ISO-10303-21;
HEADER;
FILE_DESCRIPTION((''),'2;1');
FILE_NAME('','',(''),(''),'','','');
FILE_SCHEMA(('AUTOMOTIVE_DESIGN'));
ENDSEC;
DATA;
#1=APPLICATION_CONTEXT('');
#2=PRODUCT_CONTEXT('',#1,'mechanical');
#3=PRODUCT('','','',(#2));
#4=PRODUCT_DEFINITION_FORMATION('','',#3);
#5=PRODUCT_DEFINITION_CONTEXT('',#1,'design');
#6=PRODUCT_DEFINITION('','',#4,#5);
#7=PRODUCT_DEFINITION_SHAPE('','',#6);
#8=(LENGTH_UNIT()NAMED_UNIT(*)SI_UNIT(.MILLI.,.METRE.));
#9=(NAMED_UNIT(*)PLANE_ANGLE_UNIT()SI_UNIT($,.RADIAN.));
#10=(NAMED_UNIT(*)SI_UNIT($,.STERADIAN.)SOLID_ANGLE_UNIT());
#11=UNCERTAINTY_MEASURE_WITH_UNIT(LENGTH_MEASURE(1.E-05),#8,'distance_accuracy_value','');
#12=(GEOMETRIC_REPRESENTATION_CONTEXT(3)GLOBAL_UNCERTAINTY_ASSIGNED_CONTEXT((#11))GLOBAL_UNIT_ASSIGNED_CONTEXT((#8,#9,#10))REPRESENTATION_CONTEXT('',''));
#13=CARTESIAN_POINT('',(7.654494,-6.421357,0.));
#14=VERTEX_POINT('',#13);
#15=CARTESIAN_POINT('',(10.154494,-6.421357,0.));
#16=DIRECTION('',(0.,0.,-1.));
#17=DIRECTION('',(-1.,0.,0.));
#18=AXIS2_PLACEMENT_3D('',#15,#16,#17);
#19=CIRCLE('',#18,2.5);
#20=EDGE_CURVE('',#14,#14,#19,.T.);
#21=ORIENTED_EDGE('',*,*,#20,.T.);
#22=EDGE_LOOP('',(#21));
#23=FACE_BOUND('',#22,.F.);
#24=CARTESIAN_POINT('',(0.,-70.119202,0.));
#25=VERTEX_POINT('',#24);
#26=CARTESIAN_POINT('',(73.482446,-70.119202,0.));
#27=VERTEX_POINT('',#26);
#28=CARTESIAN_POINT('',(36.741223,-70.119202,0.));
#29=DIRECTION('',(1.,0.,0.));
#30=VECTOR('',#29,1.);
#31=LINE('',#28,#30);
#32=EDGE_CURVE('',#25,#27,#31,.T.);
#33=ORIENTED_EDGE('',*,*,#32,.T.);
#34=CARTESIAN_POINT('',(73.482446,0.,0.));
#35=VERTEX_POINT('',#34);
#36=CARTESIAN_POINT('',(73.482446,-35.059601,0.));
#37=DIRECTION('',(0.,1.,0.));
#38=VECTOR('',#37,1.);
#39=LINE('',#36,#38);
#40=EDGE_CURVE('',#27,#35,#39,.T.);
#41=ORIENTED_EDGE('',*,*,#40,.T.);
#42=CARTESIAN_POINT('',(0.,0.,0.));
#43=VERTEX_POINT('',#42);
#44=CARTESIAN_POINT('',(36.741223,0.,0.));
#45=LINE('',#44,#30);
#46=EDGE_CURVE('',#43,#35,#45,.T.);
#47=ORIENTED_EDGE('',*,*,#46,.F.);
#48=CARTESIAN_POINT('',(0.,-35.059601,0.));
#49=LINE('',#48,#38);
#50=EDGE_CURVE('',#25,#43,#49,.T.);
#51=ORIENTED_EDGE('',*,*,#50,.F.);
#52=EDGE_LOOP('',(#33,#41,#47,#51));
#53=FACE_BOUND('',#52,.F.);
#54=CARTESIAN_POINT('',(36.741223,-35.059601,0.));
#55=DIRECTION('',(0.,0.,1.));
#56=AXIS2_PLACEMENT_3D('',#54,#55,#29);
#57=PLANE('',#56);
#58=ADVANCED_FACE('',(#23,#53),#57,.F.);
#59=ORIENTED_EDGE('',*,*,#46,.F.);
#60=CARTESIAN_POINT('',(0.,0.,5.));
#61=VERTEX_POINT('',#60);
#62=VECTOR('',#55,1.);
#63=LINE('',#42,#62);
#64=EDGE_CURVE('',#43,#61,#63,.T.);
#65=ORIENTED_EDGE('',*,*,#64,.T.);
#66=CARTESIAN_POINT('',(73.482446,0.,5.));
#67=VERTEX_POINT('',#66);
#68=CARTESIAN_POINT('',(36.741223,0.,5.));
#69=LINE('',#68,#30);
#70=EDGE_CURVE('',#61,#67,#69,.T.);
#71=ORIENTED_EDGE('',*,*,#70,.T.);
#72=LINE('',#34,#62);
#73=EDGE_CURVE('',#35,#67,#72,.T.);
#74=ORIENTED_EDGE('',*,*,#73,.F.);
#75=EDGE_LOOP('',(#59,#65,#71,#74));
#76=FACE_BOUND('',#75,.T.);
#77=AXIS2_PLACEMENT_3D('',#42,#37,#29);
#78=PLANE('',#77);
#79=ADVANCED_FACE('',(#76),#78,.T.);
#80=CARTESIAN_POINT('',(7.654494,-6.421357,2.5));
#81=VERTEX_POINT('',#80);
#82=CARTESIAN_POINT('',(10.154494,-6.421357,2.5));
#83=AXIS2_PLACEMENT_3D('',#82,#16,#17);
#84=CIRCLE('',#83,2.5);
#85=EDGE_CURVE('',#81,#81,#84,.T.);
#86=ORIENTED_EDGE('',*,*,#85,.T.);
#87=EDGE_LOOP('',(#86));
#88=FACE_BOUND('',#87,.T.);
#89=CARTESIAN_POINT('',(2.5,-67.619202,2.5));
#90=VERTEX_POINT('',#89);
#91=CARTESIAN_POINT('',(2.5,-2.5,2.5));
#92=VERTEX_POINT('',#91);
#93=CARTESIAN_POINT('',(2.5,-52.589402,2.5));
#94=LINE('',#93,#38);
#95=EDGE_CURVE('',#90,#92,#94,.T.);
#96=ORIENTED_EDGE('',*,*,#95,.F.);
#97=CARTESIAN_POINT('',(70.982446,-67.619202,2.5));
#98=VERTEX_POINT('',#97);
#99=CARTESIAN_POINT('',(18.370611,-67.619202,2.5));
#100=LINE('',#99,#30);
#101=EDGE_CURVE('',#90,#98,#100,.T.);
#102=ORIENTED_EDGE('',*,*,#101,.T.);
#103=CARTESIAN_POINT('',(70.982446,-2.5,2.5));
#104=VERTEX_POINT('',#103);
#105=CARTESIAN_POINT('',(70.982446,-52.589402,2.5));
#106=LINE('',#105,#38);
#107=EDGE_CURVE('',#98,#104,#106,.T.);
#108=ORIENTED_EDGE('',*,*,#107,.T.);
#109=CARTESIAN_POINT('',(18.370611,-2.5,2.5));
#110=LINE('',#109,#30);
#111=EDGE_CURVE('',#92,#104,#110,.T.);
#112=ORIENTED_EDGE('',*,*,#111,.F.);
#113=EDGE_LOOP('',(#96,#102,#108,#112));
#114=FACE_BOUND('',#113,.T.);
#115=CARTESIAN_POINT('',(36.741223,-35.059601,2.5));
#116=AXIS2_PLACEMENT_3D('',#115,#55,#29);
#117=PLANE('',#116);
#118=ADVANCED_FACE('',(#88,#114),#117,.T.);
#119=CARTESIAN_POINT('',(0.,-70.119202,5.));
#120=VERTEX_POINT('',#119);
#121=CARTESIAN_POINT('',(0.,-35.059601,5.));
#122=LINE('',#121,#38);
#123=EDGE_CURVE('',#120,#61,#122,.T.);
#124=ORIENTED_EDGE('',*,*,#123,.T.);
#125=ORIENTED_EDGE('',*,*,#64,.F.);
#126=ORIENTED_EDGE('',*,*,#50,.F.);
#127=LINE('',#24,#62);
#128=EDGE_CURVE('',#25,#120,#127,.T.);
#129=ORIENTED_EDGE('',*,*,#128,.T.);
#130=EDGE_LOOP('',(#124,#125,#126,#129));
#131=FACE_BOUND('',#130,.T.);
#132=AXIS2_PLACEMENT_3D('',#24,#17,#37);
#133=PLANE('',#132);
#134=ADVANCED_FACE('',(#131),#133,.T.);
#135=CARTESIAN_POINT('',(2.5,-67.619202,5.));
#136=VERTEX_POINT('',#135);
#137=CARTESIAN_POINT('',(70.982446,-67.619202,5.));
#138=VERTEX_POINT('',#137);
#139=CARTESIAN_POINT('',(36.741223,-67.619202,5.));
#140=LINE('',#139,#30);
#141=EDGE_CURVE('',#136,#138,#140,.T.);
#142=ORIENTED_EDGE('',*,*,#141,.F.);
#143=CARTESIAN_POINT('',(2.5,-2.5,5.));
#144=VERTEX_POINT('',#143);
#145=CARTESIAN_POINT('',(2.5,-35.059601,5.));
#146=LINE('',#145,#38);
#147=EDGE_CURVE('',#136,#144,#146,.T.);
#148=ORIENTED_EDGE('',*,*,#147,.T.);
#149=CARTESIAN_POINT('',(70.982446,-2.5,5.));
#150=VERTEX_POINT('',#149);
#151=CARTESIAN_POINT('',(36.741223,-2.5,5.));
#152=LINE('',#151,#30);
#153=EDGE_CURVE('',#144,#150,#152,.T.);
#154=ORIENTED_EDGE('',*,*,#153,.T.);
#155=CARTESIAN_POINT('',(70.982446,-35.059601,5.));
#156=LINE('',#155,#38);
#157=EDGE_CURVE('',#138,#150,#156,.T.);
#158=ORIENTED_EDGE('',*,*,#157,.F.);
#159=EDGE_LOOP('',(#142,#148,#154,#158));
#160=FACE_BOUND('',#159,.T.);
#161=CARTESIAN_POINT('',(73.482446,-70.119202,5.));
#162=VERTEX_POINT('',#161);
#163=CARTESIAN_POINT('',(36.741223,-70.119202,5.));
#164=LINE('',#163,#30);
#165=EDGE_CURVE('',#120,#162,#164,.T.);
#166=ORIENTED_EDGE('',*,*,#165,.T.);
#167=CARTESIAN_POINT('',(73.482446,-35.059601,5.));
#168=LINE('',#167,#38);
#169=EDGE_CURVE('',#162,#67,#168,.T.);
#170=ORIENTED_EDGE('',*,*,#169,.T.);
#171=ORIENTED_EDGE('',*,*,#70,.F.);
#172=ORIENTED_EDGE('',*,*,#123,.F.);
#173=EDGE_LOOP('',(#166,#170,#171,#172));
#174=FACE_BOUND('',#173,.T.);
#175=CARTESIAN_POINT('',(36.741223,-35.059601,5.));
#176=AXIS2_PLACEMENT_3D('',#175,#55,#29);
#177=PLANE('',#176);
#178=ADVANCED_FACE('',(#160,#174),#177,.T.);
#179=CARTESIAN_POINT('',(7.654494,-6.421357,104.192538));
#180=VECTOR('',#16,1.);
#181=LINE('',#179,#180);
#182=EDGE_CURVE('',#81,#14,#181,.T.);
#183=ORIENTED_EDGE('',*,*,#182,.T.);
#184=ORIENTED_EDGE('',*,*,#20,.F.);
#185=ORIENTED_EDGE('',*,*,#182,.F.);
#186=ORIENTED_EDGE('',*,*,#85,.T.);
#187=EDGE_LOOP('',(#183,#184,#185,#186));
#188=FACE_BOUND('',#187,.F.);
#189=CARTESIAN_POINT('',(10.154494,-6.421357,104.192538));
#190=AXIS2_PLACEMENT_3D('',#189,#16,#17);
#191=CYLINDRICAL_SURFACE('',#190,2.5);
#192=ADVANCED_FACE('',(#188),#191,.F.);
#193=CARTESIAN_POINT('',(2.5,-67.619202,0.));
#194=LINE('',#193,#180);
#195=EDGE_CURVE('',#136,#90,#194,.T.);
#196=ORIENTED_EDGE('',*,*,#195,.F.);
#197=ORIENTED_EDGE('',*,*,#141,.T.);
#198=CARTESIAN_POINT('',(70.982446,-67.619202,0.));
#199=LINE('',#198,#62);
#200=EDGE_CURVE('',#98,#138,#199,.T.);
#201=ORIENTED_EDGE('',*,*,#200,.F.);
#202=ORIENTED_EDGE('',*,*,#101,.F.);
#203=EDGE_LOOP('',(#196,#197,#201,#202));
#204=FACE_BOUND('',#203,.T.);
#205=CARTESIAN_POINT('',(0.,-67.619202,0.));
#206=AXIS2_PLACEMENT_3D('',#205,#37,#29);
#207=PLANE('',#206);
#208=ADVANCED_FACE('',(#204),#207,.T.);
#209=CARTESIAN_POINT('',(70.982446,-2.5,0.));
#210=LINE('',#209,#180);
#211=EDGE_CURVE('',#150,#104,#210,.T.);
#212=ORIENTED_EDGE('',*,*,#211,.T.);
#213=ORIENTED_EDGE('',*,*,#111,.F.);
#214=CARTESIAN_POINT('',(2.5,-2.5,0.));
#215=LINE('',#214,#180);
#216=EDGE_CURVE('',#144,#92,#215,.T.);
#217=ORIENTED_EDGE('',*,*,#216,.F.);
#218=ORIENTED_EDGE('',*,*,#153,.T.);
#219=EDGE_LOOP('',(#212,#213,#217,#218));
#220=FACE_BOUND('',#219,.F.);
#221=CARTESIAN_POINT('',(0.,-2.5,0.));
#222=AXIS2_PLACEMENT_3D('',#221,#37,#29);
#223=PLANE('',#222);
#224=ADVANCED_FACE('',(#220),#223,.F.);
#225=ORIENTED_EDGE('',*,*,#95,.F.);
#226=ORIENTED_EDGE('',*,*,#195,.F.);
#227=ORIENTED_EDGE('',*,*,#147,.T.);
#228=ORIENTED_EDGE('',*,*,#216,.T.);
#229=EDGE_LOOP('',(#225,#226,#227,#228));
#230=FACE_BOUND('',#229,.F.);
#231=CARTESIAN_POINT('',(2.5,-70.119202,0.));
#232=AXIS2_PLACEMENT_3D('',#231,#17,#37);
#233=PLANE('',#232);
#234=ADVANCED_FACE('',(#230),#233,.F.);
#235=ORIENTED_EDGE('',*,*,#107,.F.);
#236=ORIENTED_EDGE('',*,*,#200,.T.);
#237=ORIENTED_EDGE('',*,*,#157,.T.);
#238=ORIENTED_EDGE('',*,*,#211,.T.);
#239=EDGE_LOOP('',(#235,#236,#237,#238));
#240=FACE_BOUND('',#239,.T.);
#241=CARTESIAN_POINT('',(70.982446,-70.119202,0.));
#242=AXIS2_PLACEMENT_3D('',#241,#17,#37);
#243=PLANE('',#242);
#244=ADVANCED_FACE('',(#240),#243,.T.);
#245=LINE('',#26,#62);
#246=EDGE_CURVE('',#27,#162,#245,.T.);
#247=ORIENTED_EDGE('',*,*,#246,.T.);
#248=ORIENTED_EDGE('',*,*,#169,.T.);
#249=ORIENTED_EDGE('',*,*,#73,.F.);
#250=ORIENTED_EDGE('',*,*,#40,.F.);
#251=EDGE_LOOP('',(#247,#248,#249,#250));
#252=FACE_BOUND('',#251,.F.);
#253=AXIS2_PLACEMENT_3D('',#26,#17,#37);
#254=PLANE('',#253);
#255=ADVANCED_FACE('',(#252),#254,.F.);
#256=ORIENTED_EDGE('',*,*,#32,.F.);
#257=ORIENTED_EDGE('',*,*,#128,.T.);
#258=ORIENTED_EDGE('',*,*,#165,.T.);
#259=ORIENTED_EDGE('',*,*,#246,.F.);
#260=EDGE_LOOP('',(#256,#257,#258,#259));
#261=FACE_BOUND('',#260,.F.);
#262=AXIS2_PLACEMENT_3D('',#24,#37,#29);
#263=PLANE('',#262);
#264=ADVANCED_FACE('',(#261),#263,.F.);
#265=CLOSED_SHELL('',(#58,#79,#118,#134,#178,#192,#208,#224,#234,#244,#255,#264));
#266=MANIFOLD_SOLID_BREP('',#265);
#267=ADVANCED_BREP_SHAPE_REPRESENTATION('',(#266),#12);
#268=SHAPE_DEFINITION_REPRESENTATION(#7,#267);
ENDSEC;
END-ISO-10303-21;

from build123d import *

# Parameters (mm, degrees)
F0_W     = 73.482446
F0_H     = 70.119202
F1_DEPTH = 5
F2_T     = -2.5
F4_D     = 5


with BuildPart() as f1:
    # F0 (on Top) → F1 (new body)
    with BuildSketch(Plane.XY):
        with Locations((36.741223, -35.059601)):
            Rectangle(F0_W, F0_H)
    extrude(amount=F1_DEPTH)

    # F2
    f2_openings = [f1.faces().sort_by_distance(p)[0] for p in [
        (36.741223, -35.059601, 5),
    ]]
    offset(amount=F2_T, openings=f2_openings)

    # F4 (through all)
    with Locations(Plane.XY.offset(2.5)):
        with Locations((10.154494, -6.421357)):
            Hole(F4_D / 2)


solid = f1.part
